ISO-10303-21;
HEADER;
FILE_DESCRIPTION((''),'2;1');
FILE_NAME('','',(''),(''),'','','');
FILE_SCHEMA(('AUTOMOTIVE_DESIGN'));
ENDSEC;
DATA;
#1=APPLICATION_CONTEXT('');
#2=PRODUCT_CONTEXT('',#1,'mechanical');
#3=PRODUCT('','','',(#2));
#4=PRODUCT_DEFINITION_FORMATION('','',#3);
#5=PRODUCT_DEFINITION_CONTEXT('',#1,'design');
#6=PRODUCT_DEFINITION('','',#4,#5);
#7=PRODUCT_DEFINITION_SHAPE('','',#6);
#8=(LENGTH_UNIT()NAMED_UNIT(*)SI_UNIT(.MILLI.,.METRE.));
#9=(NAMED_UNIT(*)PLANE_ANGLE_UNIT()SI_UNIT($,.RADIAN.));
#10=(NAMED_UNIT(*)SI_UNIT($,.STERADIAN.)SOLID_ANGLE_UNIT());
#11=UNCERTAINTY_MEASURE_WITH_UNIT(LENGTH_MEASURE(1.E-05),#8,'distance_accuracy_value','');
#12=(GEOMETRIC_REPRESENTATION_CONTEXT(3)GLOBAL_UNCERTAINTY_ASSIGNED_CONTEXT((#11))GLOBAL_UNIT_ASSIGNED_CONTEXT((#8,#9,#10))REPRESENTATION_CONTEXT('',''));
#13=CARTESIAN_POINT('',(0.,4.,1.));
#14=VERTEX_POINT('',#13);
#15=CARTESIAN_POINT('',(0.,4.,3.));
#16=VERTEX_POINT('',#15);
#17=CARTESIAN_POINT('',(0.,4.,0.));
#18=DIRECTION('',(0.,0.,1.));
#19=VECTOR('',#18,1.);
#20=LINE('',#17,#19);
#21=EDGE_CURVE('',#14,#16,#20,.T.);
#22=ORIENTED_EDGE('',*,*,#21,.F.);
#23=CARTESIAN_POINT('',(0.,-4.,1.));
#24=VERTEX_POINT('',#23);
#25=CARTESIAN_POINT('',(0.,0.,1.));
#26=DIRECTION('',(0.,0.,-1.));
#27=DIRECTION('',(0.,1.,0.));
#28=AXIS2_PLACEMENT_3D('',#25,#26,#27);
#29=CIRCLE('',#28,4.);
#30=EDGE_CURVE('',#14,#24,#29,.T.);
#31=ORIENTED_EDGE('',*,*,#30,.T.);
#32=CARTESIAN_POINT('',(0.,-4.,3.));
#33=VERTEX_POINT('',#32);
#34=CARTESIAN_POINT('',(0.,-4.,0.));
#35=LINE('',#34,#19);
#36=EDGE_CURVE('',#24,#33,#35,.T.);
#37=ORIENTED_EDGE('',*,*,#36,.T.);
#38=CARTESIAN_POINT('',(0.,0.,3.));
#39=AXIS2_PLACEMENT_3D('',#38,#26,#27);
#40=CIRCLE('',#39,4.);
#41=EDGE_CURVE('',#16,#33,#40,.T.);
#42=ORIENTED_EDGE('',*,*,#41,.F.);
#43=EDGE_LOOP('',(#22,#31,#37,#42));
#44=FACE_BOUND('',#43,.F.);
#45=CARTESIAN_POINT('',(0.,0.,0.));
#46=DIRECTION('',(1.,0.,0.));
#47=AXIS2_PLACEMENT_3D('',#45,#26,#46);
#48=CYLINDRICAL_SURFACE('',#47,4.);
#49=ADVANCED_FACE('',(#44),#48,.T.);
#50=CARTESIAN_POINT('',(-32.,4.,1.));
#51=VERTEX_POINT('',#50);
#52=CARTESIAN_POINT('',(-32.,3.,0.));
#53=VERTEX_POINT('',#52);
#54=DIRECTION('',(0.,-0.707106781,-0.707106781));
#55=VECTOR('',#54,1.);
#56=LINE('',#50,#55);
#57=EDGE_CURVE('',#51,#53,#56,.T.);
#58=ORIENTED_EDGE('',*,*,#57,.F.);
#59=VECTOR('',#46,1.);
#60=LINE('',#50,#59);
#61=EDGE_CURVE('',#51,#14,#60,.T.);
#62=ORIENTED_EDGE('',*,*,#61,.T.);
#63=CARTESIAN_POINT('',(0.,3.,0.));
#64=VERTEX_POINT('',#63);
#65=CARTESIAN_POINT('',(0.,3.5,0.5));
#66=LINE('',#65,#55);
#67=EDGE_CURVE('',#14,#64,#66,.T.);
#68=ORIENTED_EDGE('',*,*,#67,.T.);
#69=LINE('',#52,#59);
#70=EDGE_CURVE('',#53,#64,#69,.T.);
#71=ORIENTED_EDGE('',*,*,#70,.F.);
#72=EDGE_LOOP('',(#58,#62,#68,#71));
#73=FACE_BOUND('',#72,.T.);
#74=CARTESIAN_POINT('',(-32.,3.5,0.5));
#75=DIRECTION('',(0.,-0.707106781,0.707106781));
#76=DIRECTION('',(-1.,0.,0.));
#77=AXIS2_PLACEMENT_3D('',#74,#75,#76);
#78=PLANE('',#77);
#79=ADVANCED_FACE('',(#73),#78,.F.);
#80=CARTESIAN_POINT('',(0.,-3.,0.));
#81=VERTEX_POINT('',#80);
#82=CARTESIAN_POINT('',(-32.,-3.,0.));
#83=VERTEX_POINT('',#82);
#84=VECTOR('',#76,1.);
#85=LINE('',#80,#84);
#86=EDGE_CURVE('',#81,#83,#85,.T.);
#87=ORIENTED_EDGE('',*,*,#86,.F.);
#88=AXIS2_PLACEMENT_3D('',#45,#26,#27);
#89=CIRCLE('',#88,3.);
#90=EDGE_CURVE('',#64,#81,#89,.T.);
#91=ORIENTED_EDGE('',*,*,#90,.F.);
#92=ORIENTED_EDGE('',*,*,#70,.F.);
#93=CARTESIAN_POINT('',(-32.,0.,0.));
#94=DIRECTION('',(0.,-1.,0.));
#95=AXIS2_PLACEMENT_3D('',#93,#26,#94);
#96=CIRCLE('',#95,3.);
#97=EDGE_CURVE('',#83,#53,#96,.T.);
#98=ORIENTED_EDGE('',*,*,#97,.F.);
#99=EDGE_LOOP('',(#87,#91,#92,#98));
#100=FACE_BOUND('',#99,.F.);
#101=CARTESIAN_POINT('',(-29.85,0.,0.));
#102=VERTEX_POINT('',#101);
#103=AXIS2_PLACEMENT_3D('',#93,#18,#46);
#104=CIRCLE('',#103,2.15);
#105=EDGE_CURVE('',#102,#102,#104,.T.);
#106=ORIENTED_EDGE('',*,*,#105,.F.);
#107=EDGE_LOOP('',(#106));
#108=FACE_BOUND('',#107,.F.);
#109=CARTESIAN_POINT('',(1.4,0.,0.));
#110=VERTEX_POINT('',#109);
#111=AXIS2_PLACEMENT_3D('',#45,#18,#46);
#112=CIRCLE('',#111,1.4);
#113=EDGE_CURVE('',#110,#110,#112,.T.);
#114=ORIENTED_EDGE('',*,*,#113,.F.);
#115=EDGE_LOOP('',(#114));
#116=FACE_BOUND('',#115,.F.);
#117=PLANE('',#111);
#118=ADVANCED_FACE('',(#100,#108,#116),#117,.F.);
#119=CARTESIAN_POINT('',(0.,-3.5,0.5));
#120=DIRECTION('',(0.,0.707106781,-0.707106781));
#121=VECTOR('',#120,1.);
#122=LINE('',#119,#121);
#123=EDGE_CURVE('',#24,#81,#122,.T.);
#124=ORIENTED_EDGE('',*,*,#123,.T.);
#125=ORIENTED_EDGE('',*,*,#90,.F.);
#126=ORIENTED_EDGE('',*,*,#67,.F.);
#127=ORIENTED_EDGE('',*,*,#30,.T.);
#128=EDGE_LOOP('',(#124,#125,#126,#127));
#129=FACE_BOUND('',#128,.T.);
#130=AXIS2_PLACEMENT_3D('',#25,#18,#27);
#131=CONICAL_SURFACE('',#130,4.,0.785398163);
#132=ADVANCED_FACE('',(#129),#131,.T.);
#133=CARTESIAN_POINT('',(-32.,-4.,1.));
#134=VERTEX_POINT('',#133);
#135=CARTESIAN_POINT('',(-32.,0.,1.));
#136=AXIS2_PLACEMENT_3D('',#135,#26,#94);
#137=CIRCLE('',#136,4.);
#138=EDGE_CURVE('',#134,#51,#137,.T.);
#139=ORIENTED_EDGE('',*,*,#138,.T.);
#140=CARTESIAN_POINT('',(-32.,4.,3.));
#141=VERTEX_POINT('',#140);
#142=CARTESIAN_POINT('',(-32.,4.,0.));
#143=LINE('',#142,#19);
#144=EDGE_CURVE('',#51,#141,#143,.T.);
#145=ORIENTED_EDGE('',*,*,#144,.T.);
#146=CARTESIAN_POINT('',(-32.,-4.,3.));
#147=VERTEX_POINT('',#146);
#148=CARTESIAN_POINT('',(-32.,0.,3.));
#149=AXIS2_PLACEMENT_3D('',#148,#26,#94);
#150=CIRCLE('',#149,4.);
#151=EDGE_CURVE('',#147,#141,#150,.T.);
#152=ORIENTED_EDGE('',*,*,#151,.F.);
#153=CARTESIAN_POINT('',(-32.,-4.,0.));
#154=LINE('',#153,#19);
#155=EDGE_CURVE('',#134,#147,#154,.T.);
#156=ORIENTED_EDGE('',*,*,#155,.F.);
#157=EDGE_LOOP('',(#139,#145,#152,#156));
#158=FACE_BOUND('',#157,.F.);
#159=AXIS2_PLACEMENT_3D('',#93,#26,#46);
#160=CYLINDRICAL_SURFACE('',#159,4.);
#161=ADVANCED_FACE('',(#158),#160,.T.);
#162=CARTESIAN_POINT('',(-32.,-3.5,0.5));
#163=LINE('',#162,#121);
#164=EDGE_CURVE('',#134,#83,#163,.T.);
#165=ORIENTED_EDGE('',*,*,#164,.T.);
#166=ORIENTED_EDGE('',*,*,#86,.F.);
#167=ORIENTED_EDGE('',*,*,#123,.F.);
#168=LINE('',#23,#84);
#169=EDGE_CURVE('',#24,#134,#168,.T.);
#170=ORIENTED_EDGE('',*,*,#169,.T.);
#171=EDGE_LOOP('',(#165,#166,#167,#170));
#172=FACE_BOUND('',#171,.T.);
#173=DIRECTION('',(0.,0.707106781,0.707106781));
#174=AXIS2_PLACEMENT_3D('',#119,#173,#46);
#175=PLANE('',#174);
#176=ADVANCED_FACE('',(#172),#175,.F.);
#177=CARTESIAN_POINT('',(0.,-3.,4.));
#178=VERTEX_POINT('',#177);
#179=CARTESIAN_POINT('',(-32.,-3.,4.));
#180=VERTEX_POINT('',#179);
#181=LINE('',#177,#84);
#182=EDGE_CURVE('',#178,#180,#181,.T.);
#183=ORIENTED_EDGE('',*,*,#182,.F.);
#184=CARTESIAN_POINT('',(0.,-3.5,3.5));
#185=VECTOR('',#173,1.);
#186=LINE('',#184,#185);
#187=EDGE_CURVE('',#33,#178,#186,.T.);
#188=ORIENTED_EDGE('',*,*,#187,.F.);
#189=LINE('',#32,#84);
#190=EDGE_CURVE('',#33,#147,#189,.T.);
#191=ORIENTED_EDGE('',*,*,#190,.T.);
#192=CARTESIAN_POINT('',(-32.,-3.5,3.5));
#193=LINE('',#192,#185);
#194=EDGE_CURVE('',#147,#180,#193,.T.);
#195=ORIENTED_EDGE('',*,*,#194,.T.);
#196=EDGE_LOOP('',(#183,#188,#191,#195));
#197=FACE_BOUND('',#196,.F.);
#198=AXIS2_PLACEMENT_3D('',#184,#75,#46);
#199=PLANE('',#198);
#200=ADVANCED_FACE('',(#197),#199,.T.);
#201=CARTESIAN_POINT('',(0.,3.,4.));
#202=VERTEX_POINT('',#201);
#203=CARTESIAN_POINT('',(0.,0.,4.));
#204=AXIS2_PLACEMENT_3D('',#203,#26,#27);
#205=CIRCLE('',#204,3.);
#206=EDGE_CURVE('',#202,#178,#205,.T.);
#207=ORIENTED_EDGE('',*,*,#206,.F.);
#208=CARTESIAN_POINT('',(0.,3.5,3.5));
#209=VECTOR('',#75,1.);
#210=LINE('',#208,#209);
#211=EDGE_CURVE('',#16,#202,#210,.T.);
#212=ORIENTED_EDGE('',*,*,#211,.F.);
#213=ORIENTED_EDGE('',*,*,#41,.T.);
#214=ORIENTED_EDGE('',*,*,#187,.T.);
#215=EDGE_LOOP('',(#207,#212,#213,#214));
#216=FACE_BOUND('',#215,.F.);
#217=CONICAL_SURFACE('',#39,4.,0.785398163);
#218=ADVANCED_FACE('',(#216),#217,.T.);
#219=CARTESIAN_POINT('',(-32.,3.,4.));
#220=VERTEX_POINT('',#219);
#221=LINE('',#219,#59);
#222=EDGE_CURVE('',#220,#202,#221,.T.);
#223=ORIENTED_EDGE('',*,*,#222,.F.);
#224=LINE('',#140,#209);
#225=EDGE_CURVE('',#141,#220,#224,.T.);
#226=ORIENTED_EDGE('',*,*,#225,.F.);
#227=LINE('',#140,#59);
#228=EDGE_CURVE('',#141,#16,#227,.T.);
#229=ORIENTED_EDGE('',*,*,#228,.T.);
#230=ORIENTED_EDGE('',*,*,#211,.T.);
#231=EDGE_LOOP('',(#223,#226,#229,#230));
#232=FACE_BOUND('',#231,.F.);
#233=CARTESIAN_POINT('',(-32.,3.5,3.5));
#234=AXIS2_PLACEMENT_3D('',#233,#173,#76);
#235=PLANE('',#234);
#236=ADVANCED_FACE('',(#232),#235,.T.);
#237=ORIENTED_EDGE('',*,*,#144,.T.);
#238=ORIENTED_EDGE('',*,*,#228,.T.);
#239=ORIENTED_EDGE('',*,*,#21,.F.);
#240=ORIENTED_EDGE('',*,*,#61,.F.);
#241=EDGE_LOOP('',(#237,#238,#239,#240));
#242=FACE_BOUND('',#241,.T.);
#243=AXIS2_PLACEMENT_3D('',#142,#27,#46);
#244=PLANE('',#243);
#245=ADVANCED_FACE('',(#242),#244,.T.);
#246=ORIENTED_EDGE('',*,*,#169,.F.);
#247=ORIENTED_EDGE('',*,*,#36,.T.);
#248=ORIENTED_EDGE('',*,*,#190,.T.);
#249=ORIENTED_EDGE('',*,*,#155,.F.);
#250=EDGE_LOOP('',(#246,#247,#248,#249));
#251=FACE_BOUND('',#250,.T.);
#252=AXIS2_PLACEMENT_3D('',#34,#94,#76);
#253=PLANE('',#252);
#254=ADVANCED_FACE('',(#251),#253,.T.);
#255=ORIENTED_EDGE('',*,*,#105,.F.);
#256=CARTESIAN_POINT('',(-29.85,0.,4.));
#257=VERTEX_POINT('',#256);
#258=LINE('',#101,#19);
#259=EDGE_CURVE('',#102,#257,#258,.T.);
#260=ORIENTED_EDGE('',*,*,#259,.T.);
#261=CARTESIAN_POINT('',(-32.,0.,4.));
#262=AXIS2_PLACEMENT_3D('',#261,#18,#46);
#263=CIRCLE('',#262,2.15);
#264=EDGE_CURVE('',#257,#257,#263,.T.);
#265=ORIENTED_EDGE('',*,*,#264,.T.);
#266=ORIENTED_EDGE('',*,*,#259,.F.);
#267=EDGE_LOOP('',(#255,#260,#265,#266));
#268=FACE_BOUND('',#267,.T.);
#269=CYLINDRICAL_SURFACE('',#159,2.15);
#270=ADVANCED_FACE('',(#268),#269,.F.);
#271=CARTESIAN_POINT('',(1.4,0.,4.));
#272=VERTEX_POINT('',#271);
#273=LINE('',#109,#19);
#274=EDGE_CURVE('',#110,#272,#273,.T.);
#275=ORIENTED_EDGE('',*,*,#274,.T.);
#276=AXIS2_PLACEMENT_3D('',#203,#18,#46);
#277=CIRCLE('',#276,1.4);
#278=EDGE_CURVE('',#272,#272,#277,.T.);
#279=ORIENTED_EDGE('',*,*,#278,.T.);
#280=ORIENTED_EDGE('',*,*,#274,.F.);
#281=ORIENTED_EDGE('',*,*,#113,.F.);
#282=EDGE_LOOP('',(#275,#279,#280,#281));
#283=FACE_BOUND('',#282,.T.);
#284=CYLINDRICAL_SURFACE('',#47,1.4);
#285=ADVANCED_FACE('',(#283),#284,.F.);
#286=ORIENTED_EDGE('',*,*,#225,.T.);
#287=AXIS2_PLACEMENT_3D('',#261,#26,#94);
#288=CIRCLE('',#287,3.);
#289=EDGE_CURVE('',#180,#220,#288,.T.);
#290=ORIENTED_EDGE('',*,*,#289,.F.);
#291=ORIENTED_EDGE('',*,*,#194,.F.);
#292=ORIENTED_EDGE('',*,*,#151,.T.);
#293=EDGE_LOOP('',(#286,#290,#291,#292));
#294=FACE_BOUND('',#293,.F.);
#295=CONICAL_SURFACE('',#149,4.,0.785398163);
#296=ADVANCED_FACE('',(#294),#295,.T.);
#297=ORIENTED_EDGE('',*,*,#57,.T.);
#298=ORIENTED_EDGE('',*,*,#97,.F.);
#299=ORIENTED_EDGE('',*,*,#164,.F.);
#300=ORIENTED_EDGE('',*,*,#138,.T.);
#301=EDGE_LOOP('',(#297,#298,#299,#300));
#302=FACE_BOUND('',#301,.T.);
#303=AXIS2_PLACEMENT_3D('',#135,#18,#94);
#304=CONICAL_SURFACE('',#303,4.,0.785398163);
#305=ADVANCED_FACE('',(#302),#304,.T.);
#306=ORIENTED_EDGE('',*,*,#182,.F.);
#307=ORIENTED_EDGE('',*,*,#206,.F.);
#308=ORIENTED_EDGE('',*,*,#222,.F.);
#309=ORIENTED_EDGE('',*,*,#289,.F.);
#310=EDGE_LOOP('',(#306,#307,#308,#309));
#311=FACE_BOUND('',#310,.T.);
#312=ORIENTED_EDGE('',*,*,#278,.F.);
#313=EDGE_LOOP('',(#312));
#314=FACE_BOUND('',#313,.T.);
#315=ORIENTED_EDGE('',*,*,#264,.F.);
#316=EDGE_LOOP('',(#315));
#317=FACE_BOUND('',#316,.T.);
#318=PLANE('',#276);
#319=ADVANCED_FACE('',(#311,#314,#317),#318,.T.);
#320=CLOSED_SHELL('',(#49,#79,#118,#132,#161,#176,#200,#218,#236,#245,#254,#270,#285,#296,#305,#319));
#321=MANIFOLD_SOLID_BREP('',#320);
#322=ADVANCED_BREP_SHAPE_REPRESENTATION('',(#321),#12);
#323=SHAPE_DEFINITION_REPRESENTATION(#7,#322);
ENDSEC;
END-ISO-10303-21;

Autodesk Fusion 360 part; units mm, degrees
sketch "Sketch1" plane through (0, 0, 0) normal (0, 0, 1) x (1, 0, 0)
  circle A0 centre (0, 0) radius 1.4
  circle A1 centre (0, 0) radius 4
  circle A2 centre (-32, 0) radius 2.15
  circle A3 centre (-32, 0) radius 4
  line L0 (-32, 4) -> (0, 4)
  line L1 (0, -4) -> (-32, -4)
  dimension "d1" = 2.8
  dimension "d2" = 8
  dimension "d3" = 32
  dimension "d4" = 4.3
  dimension "d5" = 8
extrude "Extrude1" add sketch "Sketch1" along normal blind 4
chamfer "Chamfer1" distance 1 angle 45 8 edges at (-16, -4, 4) (4, 0, 4) (-16, 4, 4) (-36, 0, 4) (-16, -4, 0) (-36, 0, 0) (-16, 4, 0) (4, 0, 0)
